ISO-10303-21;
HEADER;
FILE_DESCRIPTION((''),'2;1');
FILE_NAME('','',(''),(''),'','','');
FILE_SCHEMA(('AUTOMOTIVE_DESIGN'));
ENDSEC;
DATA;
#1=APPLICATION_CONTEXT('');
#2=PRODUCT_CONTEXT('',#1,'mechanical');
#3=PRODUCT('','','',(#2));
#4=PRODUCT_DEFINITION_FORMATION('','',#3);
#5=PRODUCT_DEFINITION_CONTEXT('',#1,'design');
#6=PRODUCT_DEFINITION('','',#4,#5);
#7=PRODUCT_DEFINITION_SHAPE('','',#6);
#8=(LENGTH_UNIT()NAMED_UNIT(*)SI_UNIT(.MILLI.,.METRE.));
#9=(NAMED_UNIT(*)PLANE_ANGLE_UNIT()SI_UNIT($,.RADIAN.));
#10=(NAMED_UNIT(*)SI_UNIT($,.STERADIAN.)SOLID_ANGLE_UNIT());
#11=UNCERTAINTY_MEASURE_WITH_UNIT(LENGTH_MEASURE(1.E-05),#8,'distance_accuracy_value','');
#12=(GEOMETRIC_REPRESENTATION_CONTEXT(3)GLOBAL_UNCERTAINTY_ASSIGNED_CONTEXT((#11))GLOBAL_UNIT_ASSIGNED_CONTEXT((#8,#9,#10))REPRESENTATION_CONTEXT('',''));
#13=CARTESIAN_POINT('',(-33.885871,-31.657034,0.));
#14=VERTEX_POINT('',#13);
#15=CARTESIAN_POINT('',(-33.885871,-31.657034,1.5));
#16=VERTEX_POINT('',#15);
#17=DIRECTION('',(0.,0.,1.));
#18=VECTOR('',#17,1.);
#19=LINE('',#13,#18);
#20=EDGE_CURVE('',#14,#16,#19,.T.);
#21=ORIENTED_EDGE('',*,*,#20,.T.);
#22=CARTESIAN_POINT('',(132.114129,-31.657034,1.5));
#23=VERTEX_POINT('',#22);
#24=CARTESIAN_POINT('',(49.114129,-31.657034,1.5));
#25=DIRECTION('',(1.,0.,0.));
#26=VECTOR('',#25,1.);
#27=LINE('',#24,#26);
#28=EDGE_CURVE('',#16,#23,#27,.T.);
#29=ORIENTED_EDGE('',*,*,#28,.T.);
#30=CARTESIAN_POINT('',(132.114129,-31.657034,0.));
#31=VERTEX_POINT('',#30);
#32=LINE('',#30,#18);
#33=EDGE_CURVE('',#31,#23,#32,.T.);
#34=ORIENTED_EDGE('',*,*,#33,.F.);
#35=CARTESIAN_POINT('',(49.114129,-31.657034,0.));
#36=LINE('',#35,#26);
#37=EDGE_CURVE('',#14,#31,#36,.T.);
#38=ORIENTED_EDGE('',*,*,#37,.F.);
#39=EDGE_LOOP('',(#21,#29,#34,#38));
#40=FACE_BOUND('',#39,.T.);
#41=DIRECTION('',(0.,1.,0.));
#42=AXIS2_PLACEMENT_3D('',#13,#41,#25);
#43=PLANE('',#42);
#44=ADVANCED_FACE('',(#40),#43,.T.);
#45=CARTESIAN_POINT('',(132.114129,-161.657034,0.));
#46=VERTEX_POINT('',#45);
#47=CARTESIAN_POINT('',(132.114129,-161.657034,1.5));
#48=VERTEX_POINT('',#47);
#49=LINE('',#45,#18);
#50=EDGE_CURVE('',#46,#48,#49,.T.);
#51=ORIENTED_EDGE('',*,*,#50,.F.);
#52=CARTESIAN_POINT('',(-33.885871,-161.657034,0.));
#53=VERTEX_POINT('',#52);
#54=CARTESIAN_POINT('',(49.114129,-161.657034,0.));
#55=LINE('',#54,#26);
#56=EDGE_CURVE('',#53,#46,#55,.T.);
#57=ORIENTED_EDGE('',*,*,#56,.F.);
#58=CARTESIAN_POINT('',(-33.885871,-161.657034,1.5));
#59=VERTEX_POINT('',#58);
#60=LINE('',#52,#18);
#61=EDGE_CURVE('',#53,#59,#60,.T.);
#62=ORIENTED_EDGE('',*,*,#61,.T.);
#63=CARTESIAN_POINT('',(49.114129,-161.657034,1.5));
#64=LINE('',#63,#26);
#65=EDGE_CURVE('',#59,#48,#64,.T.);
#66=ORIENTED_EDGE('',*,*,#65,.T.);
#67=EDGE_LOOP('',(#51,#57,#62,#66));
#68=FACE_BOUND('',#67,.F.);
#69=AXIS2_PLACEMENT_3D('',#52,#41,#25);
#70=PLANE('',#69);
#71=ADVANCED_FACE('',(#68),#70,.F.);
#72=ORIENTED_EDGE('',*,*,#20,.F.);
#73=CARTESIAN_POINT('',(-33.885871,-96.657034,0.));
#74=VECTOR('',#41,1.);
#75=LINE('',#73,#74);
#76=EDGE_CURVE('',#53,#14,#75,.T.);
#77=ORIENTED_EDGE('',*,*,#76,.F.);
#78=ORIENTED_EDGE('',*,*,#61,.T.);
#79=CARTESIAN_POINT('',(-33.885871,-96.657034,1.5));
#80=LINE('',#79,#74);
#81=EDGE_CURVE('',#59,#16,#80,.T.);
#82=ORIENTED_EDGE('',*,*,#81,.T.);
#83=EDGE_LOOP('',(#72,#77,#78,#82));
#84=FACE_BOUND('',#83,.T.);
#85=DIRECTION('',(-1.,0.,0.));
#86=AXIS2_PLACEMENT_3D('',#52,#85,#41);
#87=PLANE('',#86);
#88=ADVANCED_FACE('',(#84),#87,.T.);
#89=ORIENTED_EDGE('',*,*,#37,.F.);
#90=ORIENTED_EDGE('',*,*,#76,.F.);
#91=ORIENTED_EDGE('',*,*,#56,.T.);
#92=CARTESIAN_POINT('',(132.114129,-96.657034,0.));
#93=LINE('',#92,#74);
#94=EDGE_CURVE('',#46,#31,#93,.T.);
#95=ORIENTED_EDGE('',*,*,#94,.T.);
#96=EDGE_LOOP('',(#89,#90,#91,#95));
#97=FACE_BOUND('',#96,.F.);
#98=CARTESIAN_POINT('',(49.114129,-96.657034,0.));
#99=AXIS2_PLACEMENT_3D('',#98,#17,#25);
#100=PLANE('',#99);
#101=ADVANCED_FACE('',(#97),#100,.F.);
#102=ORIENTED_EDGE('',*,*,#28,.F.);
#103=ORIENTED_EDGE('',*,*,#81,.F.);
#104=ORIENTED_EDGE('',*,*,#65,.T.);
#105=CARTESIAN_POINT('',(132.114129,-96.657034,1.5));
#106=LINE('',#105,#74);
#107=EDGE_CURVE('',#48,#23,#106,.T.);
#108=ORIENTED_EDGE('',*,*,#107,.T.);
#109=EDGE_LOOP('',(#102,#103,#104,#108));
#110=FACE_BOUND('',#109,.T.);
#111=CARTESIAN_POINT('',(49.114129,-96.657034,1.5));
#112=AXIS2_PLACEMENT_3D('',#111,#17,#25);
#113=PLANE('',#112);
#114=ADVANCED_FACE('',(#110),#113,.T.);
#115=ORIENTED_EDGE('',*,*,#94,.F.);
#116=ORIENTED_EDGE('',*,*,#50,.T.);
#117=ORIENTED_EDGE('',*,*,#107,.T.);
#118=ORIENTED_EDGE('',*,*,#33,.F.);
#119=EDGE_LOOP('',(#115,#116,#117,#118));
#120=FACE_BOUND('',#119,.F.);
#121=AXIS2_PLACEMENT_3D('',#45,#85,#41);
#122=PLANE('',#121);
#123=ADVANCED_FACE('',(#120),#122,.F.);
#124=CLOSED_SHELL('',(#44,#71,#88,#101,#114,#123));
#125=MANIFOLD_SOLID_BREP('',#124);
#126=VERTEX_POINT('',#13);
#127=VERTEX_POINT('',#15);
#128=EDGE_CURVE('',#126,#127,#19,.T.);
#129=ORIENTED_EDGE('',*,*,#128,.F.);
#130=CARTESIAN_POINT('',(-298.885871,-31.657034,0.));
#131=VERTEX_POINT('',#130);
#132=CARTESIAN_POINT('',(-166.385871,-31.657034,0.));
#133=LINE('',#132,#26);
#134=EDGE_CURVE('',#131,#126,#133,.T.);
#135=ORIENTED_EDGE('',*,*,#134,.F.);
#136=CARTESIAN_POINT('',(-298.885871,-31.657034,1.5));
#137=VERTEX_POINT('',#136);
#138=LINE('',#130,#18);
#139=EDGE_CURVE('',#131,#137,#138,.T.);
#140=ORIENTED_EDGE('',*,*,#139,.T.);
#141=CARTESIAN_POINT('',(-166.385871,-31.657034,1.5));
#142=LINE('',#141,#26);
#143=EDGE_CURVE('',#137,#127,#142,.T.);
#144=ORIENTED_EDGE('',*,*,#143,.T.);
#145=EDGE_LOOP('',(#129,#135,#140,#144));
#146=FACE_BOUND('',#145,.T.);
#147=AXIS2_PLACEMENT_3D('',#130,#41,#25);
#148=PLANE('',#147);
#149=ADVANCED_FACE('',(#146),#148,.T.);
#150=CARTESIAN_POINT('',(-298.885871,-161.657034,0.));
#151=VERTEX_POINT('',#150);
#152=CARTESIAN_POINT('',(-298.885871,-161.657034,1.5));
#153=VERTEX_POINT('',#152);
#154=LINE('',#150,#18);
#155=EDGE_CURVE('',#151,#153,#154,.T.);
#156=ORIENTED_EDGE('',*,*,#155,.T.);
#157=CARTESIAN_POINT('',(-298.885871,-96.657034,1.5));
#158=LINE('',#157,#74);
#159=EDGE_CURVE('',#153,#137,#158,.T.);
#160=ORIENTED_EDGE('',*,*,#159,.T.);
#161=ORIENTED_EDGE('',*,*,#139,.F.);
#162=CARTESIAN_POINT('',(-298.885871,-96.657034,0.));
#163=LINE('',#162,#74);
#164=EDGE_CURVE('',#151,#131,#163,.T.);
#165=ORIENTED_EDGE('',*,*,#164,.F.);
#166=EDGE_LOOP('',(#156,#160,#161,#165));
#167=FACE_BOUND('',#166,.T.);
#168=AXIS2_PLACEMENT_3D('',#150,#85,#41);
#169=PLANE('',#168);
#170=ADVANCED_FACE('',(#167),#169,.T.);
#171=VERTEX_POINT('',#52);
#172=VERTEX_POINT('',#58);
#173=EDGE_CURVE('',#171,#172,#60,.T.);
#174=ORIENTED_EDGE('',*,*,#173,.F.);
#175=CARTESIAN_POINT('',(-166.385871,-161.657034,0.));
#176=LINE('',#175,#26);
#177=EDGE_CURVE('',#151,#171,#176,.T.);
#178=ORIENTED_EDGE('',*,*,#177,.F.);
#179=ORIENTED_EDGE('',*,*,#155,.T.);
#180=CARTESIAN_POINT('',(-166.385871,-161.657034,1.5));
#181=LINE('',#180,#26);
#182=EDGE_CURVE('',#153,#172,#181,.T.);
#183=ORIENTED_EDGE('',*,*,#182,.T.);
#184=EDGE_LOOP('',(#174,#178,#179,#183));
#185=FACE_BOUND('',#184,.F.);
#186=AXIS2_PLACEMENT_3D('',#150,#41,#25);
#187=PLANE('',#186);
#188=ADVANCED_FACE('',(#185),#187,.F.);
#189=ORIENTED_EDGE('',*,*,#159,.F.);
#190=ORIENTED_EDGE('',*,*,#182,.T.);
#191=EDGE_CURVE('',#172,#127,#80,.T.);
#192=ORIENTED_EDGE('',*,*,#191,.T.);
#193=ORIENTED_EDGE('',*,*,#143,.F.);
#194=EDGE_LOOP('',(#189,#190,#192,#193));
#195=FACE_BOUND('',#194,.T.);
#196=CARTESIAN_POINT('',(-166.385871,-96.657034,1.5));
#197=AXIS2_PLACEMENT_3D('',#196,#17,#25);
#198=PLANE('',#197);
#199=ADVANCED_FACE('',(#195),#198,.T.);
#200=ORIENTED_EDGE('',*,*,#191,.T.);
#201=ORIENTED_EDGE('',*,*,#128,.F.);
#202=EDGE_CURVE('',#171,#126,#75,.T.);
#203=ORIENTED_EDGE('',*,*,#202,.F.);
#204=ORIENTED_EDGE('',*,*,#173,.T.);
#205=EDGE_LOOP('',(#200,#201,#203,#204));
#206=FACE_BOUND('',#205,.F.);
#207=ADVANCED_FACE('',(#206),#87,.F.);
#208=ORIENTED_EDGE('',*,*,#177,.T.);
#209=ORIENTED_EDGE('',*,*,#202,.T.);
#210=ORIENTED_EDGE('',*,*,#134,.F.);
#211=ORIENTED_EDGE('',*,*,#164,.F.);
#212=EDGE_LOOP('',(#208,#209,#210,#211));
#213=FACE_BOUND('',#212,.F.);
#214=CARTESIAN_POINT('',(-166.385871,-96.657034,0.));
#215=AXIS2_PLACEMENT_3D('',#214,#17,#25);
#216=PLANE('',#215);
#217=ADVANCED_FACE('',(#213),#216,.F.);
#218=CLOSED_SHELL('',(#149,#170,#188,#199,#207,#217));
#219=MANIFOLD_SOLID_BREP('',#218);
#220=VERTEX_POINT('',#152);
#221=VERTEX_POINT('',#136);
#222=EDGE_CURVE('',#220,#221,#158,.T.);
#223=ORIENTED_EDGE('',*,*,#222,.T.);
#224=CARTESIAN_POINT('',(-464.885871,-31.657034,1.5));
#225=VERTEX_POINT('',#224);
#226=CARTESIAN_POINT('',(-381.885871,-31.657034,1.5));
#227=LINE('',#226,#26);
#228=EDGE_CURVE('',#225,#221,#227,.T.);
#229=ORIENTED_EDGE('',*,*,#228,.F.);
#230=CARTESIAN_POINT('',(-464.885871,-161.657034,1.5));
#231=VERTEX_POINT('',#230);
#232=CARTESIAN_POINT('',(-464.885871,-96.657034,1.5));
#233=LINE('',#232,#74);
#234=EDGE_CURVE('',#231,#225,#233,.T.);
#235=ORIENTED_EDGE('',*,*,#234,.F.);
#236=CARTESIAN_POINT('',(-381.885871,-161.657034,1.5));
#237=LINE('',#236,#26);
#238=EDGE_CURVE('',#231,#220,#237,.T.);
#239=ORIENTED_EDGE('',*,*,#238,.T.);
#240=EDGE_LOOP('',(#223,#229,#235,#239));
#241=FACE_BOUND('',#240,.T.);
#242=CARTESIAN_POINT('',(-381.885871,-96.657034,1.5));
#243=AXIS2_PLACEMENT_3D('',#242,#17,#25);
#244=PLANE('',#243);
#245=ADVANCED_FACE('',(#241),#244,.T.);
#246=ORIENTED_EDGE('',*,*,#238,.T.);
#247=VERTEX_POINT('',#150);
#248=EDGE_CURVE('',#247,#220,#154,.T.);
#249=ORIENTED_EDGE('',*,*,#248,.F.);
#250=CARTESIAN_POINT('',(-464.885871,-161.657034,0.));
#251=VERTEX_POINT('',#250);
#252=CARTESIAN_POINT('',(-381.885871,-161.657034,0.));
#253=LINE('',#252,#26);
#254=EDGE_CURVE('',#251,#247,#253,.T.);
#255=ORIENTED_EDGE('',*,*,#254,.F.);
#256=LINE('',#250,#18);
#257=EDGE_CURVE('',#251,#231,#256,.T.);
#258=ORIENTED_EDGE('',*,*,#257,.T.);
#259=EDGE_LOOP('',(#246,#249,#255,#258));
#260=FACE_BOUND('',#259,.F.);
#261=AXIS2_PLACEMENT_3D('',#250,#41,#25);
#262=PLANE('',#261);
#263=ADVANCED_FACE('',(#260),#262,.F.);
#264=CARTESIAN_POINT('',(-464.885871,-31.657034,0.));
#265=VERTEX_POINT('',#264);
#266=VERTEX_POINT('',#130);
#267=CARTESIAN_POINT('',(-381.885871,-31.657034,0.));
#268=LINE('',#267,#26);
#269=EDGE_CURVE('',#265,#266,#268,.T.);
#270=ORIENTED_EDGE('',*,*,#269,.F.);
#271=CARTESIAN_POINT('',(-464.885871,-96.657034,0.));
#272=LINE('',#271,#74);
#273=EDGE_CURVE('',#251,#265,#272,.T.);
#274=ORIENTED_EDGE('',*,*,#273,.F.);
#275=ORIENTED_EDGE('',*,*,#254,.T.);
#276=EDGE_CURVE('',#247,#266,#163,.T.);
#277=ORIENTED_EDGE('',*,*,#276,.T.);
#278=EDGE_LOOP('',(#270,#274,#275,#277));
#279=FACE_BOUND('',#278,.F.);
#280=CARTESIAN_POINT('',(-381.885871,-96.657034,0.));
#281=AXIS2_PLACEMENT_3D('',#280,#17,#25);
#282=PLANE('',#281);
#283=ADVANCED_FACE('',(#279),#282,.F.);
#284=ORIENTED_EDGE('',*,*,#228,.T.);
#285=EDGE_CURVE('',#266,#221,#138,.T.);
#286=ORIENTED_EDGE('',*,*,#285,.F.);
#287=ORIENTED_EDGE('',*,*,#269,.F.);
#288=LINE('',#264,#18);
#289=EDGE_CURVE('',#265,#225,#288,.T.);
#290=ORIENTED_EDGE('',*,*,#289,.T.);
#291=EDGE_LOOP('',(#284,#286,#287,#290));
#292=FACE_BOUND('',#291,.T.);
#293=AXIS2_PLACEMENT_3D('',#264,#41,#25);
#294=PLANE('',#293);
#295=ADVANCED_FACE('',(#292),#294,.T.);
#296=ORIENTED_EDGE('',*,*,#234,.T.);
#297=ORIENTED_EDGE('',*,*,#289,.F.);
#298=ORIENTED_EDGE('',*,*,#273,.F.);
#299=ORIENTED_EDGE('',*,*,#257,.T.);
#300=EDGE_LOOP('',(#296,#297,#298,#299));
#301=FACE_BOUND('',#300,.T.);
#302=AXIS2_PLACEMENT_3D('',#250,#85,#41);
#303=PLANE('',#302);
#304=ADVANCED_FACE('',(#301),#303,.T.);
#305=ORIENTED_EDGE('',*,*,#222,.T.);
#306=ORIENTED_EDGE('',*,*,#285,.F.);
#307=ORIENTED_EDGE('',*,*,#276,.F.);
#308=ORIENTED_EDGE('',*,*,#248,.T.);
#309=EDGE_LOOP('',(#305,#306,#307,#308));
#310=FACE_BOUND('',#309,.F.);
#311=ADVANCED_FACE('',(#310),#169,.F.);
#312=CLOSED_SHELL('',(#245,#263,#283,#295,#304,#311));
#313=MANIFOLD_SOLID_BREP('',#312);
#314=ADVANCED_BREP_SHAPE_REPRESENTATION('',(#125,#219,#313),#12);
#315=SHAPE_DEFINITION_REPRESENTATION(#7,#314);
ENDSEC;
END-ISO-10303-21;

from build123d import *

# Parameters (mm, degrees)
F0_W     = 166
F0_H     = 130
F3_DEPTH = 1.5
F1_W     = 265
F1_H     = 130
F2_W     = 166
F2_H     = 130


with BuildPart() as f3:
    # F0 (on Top) → F3 (new body)
    with BuildSketch(Plane.XY):
        with Locations((-381.8858712912, -96.657033834)):
            Rectangle(F0_W, F0_H)
    extrude(amount=F3_DEPTH)


with BuildPart() as f3b:
    # F1 (on Top) → F3, piece 2 (new body)
    with BuildSketch(Plane.XY):
        with Locations((-166.3858712912, -96.657033834)):
            Rectangle(F1_W, F1_H)
    extrude(amount=F3_DEPTH)


with BuildPart() as f3c:
    # F2 (on Top) → F3, piece 3 (new body)
    with BuildSketch(Plane.XY):
        with Locations((49.1141287088, -96.657033834)):
            Rectangle(F2_W, F2_H)
    extrude(amount=F3_DEPTH)


solid = Compound([f3.part, f3b.part, f3c.part])
